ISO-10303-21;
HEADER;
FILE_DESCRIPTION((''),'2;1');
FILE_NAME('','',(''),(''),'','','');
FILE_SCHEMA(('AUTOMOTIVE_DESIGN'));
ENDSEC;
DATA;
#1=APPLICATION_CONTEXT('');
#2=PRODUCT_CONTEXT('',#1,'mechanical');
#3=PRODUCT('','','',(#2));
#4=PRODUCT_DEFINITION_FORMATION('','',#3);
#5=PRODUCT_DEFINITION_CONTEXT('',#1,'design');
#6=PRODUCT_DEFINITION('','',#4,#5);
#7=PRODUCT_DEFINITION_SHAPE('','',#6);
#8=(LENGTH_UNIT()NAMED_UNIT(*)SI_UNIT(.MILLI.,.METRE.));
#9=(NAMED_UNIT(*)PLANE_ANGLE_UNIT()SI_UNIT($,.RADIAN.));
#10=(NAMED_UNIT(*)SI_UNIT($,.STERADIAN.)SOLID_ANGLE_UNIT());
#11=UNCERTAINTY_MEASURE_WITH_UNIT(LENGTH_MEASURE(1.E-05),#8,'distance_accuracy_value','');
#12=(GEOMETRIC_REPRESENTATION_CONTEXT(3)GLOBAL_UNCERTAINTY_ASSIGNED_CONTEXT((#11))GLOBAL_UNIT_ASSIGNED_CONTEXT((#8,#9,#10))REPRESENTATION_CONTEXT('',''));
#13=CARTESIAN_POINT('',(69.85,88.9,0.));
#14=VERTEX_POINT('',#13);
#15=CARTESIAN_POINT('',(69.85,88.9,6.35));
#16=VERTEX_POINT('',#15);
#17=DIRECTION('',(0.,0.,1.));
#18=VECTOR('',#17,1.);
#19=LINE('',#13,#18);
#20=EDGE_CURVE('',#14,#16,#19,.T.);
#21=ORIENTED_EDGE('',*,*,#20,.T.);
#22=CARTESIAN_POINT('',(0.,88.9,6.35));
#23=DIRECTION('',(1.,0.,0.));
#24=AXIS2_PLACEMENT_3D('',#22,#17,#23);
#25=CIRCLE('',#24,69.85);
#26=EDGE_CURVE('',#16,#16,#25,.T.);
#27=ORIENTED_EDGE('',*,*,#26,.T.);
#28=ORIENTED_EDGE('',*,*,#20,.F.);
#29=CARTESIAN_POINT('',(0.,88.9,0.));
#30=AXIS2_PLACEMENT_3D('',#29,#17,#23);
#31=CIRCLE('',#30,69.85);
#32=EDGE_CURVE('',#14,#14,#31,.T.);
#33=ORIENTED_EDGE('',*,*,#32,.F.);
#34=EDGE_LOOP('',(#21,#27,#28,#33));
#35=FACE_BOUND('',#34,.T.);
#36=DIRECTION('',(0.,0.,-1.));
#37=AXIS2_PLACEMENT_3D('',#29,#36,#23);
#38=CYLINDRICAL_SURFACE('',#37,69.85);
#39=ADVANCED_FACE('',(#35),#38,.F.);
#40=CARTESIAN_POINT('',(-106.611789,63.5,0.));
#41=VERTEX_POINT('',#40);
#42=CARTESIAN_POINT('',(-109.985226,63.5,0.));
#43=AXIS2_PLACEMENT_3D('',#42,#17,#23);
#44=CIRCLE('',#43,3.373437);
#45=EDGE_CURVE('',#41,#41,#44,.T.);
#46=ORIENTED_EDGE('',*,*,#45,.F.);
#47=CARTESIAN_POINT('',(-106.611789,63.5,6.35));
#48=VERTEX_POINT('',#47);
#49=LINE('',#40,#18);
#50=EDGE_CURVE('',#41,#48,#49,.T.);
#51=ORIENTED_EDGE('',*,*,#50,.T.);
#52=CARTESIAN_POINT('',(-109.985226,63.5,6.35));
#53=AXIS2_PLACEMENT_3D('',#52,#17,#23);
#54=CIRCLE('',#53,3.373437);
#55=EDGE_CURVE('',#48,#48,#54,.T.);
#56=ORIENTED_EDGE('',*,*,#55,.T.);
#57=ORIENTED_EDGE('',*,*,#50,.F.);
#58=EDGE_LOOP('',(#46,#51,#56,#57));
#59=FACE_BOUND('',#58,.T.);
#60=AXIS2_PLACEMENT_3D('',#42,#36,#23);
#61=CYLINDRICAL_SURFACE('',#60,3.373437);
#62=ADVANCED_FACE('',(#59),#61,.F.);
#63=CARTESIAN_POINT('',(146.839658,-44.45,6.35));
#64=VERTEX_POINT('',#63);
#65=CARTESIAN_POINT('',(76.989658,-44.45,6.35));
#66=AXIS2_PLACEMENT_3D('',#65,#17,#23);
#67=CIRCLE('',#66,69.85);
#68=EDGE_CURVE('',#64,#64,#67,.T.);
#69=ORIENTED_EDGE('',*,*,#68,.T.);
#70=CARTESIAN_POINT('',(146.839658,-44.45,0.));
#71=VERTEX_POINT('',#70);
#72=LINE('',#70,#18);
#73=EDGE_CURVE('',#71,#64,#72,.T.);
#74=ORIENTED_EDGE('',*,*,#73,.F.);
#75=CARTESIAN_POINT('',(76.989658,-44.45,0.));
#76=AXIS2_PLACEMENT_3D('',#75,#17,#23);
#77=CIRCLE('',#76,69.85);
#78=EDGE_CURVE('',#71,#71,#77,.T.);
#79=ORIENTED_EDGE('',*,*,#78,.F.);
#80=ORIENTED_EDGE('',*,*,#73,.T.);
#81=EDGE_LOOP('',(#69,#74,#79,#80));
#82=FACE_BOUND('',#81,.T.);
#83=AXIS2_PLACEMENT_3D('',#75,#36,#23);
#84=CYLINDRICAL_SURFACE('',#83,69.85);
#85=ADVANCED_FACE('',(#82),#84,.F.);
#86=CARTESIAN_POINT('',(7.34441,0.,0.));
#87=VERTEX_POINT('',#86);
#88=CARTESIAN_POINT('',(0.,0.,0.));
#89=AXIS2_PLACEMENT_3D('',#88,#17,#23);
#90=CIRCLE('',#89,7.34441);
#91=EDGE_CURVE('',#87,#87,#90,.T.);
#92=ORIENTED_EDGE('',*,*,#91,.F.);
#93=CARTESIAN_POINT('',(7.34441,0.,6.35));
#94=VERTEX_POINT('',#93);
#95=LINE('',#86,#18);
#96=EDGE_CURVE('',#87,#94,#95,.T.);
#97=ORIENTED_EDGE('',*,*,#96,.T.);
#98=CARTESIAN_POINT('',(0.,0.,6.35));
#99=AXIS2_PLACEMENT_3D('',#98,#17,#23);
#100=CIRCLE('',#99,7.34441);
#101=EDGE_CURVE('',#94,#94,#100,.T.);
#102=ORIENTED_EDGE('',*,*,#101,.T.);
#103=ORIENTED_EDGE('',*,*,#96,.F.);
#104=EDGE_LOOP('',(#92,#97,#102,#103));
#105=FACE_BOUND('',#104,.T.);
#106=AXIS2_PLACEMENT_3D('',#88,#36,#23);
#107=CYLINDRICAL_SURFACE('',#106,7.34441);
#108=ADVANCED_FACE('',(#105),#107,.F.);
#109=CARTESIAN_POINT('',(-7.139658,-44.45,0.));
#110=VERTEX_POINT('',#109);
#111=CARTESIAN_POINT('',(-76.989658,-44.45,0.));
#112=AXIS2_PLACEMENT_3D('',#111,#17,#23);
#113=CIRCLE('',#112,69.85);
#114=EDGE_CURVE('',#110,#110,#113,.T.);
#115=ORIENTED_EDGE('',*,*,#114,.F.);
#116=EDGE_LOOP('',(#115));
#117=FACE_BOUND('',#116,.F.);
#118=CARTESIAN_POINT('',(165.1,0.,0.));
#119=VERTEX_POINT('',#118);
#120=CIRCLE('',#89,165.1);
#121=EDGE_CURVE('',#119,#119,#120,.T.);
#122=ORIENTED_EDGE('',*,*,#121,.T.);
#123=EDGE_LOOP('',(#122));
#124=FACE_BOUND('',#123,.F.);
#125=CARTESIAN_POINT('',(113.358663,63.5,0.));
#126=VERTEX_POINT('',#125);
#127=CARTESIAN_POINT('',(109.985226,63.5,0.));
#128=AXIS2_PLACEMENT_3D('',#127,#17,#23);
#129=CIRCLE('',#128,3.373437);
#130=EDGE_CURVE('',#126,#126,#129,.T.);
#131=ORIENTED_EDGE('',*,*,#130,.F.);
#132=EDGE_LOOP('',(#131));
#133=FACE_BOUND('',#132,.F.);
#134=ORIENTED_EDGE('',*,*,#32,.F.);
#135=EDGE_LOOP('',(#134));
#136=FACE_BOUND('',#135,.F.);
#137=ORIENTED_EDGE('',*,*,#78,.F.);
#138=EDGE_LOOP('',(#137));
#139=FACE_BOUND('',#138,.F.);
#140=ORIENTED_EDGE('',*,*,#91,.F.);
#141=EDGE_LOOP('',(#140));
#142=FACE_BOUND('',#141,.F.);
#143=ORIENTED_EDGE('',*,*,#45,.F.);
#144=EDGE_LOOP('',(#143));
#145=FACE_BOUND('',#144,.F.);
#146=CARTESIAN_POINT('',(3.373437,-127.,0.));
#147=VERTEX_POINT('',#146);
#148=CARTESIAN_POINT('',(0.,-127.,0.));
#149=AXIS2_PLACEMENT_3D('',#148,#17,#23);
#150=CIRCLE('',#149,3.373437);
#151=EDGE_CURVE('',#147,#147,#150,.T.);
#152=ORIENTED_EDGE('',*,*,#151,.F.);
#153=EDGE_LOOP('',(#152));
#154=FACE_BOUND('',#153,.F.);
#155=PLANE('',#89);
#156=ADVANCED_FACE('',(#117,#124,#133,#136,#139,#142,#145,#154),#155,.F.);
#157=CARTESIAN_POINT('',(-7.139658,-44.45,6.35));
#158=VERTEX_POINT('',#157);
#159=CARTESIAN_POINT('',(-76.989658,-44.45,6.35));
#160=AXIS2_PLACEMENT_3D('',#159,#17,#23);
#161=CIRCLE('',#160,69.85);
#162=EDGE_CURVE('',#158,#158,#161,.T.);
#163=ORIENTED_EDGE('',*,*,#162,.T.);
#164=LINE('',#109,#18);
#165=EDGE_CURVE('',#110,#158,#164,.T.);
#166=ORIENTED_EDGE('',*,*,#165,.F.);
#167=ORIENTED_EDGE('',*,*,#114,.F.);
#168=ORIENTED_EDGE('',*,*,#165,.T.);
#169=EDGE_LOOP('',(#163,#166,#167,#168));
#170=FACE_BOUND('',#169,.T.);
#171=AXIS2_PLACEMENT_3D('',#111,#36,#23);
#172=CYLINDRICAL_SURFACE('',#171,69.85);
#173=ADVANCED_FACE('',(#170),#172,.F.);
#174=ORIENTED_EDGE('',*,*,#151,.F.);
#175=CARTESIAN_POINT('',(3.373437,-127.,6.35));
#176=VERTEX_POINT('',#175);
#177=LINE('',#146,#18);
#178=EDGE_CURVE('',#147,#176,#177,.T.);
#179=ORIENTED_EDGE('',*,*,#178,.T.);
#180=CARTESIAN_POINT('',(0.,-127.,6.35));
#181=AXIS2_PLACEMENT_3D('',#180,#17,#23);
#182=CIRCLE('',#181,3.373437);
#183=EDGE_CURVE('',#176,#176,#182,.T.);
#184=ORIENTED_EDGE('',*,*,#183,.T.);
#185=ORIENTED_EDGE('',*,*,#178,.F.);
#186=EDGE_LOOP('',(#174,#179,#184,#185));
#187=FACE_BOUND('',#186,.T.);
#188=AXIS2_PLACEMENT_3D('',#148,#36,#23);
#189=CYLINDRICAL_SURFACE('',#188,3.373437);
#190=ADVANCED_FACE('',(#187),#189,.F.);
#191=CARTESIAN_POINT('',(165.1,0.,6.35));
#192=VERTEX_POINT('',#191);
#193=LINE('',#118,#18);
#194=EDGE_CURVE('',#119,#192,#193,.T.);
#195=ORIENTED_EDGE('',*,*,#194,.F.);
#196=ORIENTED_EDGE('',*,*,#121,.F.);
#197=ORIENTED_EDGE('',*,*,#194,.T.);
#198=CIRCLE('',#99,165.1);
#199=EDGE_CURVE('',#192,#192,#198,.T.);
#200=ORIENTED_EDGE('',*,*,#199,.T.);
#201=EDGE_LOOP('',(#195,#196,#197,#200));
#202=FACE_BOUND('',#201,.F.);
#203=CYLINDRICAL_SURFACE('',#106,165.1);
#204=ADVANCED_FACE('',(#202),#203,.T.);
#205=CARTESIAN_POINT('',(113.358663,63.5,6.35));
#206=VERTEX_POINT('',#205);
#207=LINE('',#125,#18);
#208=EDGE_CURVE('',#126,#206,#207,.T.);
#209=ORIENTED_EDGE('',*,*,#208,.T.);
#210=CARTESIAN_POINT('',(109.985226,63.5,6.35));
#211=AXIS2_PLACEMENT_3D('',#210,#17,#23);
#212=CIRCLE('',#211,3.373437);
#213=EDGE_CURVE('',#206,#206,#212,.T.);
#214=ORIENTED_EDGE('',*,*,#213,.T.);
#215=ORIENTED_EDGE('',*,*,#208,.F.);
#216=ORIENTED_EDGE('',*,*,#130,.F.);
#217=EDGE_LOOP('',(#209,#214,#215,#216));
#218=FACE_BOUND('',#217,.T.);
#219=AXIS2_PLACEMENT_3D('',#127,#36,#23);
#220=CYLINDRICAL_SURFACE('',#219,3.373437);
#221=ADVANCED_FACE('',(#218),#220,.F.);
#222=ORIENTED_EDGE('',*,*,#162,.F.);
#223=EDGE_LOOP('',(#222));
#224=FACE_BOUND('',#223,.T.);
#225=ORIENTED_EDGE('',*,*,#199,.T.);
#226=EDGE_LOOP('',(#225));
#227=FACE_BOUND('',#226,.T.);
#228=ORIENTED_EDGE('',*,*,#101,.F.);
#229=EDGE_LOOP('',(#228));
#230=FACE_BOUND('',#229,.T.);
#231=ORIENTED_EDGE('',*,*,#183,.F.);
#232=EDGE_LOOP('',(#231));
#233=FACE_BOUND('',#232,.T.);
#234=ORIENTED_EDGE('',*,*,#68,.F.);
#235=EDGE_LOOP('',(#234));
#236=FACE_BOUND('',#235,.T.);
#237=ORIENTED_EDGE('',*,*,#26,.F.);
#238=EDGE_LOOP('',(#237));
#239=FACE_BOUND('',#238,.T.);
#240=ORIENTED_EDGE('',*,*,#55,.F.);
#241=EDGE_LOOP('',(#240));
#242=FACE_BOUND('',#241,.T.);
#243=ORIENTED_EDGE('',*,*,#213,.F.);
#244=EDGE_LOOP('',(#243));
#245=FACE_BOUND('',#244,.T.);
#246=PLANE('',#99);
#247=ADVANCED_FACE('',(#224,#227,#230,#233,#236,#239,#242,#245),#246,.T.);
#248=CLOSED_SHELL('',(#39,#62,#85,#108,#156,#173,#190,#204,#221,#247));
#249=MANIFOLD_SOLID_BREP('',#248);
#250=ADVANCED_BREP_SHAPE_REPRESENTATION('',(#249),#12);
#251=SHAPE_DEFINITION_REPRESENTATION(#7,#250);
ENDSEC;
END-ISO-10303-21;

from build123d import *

# Parameters (mm, degrees)
F0_R     = 165.1
F0_R_2   = 69.85
F0_R_3   = 3.373437
F0_R_4   = 7.34441
F1_DEPTH = 6.35


with BuildPart() as f1:
    # F0 (on Top) → F1 (new body)
    with BuildSketch(Plane.XY):
        Circle(F0_R)
        with Locations((-76.989658, -44.45)):
            Circle(F0_R_2, mode=Mode.SUBTRACT)
        with Locations((0, -127)):
            Circle(F0_R_3, mode=Mode.SUBTRACT)
        with Locations((76.989658, -44.45)):
            Circle(F0_R_2, mode=Mode.SUBTRACT)
        with Locations((-109.985226, 63.5)):
            Circle(F0_R_3, mode=Mode.SUBTRACT)
        Circle(F0_R_4, mode=Mode.SUBTRACT)
        with Locations((109.985226, 63.5)):
            Circle(F0_R_3, mode=Mode.SUBTRACT)
        with Locations((0, 88.9)):
            Circle(F0_R_2, mode=Mode.SUBTRACT)
    extrude(amount=F1_DEPTH)


solid = f1.part
